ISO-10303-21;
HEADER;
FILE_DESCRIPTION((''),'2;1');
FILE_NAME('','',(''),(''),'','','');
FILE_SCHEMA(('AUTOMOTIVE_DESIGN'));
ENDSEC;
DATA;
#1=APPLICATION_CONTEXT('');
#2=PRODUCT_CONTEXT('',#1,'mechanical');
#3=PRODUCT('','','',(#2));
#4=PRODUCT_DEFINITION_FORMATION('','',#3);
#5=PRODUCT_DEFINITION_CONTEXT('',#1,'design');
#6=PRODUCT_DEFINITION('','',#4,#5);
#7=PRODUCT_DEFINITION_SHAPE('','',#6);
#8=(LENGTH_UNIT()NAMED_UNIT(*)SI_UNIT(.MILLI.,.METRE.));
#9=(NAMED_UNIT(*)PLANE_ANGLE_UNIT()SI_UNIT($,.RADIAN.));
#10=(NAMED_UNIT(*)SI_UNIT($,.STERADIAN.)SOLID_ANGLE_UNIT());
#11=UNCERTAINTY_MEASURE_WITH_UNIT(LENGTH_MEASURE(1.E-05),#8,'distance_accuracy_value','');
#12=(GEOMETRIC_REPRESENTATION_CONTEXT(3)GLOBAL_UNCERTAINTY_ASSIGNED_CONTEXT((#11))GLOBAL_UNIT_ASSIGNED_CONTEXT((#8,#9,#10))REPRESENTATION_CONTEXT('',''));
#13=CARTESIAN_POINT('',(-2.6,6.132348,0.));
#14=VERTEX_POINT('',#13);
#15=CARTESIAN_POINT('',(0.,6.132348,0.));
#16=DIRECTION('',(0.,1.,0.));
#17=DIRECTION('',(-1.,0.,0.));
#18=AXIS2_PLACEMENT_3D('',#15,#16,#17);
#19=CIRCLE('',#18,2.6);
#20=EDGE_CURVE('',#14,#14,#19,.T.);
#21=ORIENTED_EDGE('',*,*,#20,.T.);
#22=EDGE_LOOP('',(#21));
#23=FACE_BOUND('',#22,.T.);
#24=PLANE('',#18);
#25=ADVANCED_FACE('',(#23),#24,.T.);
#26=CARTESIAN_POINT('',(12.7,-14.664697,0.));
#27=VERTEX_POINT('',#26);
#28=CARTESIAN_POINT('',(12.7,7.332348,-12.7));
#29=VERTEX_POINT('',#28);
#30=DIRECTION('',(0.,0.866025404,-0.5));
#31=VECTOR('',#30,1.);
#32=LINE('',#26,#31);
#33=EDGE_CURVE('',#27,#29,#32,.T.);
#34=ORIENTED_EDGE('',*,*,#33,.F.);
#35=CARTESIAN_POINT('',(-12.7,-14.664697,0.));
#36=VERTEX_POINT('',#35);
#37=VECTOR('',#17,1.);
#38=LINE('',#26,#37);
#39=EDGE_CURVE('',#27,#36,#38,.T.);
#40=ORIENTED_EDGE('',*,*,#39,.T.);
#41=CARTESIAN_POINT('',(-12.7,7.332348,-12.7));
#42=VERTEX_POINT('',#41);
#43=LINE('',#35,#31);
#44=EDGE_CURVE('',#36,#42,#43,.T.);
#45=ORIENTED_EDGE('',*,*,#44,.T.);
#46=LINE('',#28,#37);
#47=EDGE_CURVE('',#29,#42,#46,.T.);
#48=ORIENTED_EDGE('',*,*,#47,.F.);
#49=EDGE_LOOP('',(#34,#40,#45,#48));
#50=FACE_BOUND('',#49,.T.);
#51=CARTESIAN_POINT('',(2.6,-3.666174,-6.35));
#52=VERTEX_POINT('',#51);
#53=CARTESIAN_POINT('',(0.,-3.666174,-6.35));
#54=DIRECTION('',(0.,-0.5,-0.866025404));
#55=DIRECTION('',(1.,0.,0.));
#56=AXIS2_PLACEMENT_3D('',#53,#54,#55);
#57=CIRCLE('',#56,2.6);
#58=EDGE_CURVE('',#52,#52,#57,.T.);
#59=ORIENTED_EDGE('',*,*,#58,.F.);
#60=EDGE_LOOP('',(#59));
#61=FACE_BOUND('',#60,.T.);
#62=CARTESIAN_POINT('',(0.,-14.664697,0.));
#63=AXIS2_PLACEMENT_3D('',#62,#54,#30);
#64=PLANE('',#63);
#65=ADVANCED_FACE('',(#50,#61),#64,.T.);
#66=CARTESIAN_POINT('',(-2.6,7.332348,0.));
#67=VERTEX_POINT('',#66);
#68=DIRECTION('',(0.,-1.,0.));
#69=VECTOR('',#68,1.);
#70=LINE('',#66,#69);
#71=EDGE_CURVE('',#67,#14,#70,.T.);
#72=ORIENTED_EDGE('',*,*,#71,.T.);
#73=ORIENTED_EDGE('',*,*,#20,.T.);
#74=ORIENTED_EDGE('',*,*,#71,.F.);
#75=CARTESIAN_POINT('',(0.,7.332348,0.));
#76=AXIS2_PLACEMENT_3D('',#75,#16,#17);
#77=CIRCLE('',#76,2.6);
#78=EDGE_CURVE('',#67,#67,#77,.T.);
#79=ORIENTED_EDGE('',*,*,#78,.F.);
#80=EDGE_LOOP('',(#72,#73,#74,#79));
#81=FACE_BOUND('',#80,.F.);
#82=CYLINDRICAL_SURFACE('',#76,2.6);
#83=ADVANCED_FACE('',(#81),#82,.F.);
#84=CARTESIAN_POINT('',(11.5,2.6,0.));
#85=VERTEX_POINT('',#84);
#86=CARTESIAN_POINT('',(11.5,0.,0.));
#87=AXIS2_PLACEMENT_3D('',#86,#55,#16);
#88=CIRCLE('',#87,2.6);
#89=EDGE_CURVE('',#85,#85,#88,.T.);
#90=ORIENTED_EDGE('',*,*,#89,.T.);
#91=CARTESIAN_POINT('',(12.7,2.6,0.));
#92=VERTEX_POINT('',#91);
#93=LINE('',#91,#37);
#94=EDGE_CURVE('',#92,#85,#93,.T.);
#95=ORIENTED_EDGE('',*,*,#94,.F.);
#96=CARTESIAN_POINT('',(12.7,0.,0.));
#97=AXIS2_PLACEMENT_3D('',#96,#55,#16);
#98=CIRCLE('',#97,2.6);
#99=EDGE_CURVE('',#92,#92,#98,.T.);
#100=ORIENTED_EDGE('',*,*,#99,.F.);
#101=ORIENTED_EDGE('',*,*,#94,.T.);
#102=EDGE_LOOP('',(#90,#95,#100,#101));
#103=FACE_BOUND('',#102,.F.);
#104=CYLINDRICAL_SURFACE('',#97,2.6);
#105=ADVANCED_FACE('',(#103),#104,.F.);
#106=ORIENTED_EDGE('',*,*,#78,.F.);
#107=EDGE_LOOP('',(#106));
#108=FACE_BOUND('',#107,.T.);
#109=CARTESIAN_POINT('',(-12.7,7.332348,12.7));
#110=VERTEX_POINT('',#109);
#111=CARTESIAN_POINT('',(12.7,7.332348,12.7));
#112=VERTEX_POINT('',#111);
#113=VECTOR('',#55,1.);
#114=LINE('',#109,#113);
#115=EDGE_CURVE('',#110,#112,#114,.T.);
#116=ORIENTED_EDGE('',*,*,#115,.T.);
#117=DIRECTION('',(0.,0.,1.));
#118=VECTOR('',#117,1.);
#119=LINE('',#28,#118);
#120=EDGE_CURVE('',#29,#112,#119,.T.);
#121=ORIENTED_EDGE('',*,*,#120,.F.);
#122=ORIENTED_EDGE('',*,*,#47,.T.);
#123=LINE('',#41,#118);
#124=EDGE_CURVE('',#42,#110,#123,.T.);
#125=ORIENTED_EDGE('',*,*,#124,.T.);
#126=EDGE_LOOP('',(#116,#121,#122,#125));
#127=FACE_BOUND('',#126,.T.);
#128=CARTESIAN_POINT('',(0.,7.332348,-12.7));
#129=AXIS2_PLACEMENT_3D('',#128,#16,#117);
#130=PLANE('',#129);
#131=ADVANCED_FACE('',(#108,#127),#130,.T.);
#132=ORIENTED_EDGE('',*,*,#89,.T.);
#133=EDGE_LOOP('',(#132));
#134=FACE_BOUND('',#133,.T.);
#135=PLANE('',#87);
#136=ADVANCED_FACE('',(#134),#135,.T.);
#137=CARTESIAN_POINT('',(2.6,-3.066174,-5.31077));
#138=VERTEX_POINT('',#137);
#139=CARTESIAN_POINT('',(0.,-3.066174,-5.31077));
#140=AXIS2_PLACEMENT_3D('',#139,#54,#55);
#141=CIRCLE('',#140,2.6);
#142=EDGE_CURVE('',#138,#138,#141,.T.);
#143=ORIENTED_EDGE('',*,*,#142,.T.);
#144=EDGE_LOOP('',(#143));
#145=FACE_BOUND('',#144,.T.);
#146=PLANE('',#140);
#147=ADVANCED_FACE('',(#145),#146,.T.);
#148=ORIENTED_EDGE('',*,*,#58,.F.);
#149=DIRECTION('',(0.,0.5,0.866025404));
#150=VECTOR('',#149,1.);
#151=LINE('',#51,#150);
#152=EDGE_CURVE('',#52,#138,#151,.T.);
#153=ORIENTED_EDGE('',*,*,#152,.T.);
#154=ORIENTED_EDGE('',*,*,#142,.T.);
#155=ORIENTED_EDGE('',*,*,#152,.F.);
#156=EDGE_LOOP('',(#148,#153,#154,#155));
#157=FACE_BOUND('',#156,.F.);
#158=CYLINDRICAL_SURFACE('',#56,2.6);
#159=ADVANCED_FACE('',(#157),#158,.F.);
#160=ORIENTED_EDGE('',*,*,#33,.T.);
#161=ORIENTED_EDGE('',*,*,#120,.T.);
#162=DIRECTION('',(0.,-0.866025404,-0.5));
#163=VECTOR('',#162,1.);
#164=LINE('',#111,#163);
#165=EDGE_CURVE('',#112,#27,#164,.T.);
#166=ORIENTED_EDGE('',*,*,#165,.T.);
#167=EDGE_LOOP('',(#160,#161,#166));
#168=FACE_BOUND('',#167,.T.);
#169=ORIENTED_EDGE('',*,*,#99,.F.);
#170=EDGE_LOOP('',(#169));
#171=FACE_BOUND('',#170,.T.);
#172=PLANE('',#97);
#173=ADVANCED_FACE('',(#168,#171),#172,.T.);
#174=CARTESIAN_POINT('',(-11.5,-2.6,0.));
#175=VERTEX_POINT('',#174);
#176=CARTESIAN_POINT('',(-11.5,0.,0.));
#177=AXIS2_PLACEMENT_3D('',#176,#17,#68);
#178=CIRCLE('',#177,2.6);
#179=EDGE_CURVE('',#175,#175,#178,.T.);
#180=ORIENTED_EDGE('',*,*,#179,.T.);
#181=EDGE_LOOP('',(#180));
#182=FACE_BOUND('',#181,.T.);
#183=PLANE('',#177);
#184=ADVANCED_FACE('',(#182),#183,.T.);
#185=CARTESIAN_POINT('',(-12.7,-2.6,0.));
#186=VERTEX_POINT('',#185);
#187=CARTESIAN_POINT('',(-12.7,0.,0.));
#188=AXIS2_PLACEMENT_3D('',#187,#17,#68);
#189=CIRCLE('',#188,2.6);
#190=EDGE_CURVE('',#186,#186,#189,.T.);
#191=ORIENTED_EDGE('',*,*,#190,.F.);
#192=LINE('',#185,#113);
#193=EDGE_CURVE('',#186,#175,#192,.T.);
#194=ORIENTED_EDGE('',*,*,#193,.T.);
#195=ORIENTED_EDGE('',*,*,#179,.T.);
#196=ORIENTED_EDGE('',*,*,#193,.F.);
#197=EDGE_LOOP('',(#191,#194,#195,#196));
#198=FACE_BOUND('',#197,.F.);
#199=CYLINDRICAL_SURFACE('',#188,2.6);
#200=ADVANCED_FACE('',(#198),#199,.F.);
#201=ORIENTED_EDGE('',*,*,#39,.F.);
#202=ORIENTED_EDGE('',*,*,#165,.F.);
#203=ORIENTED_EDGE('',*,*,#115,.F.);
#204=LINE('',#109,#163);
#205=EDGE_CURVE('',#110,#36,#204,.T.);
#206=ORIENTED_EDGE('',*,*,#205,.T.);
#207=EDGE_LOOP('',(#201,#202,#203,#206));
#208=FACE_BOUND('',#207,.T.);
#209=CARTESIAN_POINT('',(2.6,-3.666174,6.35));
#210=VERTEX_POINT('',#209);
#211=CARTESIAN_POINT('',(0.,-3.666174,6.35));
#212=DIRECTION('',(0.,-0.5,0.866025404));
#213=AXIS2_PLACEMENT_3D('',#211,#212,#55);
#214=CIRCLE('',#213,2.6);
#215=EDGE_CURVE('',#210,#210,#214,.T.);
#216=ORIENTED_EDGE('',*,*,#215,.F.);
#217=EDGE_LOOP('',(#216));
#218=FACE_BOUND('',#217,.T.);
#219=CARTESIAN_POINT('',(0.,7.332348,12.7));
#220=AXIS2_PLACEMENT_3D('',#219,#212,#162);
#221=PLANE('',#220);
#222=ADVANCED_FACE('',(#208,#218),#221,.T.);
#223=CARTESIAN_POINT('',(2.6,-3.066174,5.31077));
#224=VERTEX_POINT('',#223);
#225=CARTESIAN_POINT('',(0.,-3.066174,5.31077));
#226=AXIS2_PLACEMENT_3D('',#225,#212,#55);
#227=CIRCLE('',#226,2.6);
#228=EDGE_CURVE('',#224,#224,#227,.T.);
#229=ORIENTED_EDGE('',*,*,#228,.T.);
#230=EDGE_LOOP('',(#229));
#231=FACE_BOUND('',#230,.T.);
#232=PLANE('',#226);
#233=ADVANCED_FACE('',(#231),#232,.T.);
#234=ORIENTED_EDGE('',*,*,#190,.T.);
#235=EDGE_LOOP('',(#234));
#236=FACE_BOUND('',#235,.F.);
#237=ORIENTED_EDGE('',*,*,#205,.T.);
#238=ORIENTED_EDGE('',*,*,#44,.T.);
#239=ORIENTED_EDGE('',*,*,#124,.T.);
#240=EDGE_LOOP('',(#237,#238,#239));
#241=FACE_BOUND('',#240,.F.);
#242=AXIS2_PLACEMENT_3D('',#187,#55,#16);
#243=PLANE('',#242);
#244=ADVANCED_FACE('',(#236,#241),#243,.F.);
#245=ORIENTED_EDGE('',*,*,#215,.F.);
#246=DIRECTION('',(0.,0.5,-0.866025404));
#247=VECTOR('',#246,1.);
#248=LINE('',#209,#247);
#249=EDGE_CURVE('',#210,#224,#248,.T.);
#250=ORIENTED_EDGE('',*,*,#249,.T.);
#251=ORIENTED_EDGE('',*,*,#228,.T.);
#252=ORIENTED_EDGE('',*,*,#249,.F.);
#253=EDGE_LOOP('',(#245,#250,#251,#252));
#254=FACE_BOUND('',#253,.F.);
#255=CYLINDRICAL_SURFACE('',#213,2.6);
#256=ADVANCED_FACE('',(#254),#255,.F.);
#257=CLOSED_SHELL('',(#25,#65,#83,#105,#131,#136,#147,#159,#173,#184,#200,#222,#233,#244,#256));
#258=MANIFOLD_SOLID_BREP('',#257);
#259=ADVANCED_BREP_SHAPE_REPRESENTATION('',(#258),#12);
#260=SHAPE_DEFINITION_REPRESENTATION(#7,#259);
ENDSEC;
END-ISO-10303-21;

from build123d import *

# Parameters (mm, degrees)
F1_DEPTH  = 12.7
F6_R      = 2.6
F7_DEPTH  = 1.2
F4_R      = 2.6
F8_DEPTH  = 1.2
F5_R      = 2.6
F9_DEPTH  = 1.2
F3_R      = 2.6
F10_DEPTH = 1.2
F2_R      = 2.6
F11_DEPTH = 1.2


with BuildPart() as f1:
    # F0 (on Right) → F1 (new body, symmetric)
    with BuildSketch(Plane.YZ):
        Polygon((7.3323484187, -12.7), (7.3323484187, 12.7), (-14.6646968374, 0), align=None)
    extrude(amount=F1_DEPTH, both=True)

    # F6 (on face) → F7 (cut)
    with BuildSketch(Plane.YZ.offset(12.7)):
        Circle(F6_R)
    extrude(amount=-F7_DEPTH, mode=Mode.SUBTRACT)

    # F4 (on face) → F8 (cut)
    with BuildSketch(Plane(origin=(0, -3.6661742094, -6.35), x_dir=(1, 0, 0), z_dir=(0, -0.5, -0.8660254038))):
        Circle(F4_R)
    extrude(amount=-F8_DEPTH, mode=Mode.SUBTRACT)

    # F5 (on face) → F9 (cut)
    with BuildSketch(Plane(origin=(-12.7, 0, 0), x_dir=(0, -1, 0), z_dir=(-1, 0, 0))):
        Circle(F5_R)
    extrude(amount=-F9_DEPTH, mode=Mode.SUBTRACT)

    # F3 (on face) → F10 (cut)
    with BuildSketch(Plane(origin=(0, 7.3323484187, 0), x_dir=(-1, 0, 0), z_dir=(0, 1, 0))):
        Circle(F3_R)
    extrude(amount=-F10_DEPTH, mode=Mode.SUBTRACT)

    # F2 (on face) → F11 (cut)
    with BuildSketch(Plane(origin=(0, -3.6661742094, 6.35), x_dir=(1, 0, 0), z_dir=(0, -0.5, 0.8660254038))):
        Circle(F2_R)
    extrude(amount=-F11_DEPTH, mode=Mode.SUBTRACT)


solid = f1.part
